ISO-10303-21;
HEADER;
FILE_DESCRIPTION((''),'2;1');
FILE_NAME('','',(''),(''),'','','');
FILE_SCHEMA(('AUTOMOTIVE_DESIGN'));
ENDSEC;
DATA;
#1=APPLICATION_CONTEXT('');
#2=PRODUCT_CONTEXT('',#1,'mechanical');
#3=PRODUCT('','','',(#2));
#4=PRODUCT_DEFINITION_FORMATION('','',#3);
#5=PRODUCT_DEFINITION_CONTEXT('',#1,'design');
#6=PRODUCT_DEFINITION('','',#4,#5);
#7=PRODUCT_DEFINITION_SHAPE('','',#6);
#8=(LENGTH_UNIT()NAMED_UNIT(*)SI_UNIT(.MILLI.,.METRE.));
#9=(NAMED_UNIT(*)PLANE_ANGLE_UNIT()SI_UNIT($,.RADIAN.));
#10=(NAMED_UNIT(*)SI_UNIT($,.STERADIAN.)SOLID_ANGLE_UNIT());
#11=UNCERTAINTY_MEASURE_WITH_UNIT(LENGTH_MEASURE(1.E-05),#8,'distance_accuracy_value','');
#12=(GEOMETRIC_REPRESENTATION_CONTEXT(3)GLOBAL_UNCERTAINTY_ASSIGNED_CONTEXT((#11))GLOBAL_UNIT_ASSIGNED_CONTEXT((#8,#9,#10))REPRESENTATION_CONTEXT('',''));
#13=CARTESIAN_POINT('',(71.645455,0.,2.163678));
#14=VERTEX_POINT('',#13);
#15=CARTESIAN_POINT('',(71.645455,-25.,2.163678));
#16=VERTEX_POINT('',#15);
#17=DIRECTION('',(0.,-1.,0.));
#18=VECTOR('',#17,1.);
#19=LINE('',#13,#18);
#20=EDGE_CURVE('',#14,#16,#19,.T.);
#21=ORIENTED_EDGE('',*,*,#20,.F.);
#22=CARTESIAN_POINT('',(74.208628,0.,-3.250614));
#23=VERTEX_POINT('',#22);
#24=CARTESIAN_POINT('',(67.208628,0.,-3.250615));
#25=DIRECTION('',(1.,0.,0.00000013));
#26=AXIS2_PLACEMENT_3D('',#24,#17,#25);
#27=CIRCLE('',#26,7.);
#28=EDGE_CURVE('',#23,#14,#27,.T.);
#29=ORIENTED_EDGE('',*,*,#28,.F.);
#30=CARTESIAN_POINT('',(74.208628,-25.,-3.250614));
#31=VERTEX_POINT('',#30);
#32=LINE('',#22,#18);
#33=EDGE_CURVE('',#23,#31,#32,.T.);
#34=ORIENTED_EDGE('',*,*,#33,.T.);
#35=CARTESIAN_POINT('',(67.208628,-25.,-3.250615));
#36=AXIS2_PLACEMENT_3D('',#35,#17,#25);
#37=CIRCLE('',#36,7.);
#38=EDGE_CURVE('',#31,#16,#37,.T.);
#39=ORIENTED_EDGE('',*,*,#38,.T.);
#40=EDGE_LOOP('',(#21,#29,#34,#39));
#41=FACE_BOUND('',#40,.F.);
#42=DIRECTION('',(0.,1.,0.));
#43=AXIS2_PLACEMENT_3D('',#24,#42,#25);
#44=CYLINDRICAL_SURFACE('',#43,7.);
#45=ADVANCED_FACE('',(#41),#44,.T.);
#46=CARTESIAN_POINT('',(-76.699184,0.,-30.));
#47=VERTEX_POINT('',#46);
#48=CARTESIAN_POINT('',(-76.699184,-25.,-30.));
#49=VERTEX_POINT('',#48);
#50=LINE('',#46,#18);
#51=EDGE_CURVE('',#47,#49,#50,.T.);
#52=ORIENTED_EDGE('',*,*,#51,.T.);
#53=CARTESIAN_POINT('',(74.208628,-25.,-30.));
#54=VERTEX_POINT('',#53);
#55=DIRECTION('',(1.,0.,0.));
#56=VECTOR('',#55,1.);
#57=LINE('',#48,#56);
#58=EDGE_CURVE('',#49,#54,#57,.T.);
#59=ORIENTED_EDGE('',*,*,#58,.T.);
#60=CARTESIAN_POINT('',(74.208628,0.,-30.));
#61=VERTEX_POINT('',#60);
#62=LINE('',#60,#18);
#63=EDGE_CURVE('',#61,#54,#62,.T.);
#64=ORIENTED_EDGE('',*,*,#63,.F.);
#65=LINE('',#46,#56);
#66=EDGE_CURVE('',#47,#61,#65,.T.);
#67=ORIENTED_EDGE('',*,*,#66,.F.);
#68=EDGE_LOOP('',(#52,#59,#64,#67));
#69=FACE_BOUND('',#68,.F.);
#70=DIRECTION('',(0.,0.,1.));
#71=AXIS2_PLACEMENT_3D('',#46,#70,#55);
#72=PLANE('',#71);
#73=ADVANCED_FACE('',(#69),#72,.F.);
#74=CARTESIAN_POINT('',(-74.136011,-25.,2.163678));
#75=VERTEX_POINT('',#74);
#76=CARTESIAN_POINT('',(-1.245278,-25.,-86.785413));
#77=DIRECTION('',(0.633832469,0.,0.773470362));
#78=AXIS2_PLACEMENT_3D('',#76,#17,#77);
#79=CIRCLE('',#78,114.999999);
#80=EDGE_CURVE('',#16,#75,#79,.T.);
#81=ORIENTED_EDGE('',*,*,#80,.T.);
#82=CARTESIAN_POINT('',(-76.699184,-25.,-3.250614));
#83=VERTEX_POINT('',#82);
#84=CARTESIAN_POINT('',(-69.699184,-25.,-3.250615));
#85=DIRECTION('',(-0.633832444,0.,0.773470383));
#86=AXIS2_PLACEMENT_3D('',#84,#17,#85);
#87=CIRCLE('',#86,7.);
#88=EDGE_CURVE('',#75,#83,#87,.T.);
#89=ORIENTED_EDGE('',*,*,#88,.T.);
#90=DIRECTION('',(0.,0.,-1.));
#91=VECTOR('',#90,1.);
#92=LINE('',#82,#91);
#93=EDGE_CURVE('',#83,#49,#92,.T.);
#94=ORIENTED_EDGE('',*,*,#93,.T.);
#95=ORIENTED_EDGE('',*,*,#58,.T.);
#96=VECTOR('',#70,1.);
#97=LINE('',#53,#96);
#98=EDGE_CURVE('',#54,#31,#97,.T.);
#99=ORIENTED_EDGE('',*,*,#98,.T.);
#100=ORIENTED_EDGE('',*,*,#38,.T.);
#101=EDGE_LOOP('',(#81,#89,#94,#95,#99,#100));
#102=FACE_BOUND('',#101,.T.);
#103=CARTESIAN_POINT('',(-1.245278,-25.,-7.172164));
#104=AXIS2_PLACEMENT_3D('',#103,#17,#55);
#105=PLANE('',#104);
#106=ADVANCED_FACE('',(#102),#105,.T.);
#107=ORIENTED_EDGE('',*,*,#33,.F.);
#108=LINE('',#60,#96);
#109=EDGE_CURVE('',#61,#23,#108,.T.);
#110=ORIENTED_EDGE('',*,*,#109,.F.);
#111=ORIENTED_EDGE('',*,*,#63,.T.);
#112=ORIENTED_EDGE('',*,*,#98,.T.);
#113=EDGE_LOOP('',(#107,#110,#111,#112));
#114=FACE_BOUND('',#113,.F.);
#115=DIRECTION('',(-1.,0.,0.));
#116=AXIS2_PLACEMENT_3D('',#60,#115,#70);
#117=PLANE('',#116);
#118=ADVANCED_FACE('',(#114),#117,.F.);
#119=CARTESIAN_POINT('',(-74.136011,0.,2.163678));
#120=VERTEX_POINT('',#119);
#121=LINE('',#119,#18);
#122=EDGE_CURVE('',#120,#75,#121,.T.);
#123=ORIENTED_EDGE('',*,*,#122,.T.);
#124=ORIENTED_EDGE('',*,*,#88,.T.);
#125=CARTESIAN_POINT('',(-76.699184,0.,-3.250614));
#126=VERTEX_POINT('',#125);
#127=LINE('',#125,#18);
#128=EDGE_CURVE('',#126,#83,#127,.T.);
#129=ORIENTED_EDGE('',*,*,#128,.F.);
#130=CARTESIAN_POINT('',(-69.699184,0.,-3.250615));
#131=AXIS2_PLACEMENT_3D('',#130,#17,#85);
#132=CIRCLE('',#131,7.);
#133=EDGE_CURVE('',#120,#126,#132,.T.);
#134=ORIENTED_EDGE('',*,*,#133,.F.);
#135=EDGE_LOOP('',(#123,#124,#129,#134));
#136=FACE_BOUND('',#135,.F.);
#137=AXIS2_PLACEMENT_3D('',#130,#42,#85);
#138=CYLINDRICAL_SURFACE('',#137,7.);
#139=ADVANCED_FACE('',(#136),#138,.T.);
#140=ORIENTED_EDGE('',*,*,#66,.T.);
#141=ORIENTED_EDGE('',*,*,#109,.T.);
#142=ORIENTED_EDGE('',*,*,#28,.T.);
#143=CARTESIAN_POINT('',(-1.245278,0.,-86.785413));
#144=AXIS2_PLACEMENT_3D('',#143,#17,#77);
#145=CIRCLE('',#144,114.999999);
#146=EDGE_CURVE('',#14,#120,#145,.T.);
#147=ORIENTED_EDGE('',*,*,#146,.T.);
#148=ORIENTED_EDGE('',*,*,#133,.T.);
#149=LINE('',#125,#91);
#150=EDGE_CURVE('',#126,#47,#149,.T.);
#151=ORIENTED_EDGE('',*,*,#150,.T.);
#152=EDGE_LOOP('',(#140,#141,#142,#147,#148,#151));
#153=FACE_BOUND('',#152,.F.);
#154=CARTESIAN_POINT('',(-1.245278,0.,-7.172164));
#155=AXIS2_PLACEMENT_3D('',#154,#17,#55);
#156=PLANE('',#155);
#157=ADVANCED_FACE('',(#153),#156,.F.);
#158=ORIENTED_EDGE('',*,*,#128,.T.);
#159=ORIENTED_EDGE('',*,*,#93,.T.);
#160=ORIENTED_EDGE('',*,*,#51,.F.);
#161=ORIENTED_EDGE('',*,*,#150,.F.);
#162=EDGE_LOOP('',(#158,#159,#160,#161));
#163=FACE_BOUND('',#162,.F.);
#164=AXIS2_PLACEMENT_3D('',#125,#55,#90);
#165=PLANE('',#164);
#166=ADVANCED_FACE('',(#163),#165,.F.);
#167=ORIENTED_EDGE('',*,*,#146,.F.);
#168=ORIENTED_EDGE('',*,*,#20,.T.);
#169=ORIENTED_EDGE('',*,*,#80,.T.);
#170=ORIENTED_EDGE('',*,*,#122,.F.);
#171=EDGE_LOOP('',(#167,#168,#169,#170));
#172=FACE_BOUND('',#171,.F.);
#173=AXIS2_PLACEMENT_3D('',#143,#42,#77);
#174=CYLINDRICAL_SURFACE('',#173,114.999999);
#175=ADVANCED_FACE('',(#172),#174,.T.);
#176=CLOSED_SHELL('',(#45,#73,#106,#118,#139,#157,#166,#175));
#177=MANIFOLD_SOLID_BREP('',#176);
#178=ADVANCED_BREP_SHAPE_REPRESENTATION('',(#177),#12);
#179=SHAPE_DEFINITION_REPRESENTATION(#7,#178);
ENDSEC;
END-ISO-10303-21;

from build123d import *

# Parameters (mm, degrees)
F1_DEPTH = 25


with BuildPart() as f1:
    # F0 (on Front) → F1 (new body)
    with BuildSketch(Plane.XZ):
        with BuildLine():
            ThreePointArc((74.208628, -3.250614), (73.535467, -0.255434), (71.645455, 2.163678))
            ThreePointArc((71.645455, 2.163678), (-1.245278, 28.214586), (-74.136011, 2.163678))
            ThreePointArc((-74.136011, 2.163678), (-76.026023, -0.255434), (-76.699184, -3.250614))
            Line((-76.699184, -3.250614), (-76.699184, -30))
            Line((-76.699184, -30), (74.208628, -30))
            Line((74.208628, -30), (74.208628, -3.250614))
        make_face()
    extrude(amount=F1_DEPTH)


solid = f1.part
